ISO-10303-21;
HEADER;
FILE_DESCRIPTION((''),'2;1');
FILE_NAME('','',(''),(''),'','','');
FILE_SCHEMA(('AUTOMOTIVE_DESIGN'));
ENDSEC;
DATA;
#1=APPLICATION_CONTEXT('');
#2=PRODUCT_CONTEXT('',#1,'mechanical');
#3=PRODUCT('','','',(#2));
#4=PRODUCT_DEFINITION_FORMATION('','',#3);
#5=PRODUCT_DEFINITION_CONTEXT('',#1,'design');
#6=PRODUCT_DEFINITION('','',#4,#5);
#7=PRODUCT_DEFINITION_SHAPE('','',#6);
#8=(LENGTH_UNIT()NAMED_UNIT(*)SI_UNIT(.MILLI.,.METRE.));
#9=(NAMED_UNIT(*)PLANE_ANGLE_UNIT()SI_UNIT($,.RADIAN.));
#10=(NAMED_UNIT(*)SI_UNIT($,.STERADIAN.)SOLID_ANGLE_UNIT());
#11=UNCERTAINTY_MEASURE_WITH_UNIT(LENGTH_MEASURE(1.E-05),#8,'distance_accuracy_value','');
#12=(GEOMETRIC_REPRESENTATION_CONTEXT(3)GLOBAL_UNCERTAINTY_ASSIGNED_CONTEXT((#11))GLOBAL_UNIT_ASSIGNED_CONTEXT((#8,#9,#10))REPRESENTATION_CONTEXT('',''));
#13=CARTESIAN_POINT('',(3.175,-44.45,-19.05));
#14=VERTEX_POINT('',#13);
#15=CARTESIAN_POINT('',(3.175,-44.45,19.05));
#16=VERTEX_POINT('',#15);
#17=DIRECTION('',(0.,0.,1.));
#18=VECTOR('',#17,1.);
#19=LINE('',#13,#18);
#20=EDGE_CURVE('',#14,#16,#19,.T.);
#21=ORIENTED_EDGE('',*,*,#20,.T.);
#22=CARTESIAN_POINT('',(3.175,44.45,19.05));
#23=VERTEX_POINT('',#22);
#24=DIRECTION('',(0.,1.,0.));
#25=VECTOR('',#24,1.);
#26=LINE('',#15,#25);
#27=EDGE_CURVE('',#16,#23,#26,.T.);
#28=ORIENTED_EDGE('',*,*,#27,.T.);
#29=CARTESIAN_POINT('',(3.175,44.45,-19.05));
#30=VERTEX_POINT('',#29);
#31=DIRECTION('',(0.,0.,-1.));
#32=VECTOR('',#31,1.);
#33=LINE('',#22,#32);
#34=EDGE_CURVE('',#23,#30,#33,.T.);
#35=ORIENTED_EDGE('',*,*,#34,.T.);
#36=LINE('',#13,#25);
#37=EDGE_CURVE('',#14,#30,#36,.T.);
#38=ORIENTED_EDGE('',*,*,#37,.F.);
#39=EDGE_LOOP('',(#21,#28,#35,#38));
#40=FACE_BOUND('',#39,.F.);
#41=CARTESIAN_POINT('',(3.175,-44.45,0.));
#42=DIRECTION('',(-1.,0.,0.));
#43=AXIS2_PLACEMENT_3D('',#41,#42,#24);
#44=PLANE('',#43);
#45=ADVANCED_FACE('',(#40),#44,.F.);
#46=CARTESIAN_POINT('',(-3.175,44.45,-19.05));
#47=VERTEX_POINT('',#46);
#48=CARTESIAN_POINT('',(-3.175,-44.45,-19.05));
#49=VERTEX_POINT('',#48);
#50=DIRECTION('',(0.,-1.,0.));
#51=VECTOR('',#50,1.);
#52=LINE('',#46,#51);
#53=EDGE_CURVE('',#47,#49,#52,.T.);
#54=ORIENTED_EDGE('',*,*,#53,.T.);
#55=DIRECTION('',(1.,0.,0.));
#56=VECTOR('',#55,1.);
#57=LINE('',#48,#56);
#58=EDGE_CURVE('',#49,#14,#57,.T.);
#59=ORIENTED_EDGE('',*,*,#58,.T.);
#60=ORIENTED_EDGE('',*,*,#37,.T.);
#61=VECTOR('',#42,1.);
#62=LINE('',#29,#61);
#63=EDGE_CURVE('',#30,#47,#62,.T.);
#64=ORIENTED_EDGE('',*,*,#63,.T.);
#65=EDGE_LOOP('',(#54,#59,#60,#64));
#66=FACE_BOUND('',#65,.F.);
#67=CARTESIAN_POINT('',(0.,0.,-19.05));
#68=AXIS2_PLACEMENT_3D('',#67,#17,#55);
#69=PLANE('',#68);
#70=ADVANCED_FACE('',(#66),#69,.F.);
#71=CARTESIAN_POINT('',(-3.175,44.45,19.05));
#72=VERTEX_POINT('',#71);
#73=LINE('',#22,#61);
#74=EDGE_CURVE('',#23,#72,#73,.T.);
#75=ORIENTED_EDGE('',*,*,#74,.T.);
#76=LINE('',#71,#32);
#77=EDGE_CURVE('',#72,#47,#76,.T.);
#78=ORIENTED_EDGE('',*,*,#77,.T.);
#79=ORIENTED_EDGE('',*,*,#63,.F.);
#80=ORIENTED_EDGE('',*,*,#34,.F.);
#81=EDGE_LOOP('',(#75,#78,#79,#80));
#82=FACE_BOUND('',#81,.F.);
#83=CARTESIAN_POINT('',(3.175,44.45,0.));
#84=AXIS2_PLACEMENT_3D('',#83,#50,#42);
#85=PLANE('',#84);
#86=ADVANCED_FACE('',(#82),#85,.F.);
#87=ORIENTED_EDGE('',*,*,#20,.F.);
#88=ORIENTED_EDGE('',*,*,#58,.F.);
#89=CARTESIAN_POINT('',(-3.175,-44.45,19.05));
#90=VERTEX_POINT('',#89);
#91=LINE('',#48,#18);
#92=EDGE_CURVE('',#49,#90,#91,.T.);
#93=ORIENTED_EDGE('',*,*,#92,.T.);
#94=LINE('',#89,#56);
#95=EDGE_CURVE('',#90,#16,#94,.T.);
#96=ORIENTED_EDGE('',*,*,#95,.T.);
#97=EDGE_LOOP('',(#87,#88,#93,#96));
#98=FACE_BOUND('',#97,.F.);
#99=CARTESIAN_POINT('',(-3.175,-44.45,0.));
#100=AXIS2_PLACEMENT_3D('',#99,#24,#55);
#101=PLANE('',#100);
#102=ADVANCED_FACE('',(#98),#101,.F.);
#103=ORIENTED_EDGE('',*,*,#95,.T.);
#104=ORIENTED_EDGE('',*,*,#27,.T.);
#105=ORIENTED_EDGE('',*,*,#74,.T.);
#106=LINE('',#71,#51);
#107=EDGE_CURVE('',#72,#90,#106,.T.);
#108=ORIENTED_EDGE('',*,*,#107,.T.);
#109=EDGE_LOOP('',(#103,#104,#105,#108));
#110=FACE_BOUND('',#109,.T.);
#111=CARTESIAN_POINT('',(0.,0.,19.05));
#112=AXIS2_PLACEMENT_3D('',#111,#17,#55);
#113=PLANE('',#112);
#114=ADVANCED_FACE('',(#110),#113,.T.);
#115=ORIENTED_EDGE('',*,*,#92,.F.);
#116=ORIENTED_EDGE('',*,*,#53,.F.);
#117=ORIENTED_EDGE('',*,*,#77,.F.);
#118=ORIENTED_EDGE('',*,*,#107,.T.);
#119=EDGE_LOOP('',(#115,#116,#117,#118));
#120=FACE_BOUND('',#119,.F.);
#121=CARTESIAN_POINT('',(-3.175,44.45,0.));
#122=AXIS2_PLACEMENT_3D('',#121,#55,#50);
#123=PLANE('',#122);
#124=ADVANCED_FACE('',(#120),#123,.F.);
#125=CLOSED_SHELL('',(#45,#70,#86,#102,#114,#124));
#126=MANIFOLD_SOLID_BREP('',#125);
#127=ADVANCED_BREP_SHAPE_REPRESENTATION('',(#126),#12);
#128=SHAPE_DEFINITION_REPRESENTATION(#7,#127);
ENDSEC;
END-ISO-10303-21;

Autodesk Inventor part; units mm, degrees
ref_plane "YZ Plane" through (0, 0, 0) normal (1, 0, 0) x (0, 1, 0)
ref_plane "XZ Plane" through (0, 0, 0) normal (0, 1, 0) x (-1, 0, 0)
ref_plane "XY Plane" through (0, 0, 0) normal (0, 0, 1) x (1, 0, 0)
sketch "Sketch1" plane through (0, 0, 0) normal (0, 0, 1) x (1, 0, 0)
  line L0 (-3.175, -44.45) -> (3.175, -44.45)
  line L1 (3.175, -44.45) -> (3.175, 44.45)
  line L2 (3.175, 44.45) -> (-3.175, 44.45)
  line L3 (-3.175, 44.45) -> (-3.175, -44.45)
  line L4 (-3.175, -44.45) -> (3.175, 44.45) construction
  line L5 (3.175, -44.45) -> (-3.175, 44.45) construction
  point P0 (0, 0)
  dimension "d11" = 6.35
  dimension "d12" = 88.9
extrude "Extrusion5" add sketch "Sketch1" along normal mid plane 38.1
equation "\"d12\" = length"
equation "\"d17\" = longSide"
equation "\"width\" = 19.05"
equation "\"longSide\" = 38.1"
equation "\"length\" = 88.9"
properties part number "topOfShooter" material "Aluminum 6061"
